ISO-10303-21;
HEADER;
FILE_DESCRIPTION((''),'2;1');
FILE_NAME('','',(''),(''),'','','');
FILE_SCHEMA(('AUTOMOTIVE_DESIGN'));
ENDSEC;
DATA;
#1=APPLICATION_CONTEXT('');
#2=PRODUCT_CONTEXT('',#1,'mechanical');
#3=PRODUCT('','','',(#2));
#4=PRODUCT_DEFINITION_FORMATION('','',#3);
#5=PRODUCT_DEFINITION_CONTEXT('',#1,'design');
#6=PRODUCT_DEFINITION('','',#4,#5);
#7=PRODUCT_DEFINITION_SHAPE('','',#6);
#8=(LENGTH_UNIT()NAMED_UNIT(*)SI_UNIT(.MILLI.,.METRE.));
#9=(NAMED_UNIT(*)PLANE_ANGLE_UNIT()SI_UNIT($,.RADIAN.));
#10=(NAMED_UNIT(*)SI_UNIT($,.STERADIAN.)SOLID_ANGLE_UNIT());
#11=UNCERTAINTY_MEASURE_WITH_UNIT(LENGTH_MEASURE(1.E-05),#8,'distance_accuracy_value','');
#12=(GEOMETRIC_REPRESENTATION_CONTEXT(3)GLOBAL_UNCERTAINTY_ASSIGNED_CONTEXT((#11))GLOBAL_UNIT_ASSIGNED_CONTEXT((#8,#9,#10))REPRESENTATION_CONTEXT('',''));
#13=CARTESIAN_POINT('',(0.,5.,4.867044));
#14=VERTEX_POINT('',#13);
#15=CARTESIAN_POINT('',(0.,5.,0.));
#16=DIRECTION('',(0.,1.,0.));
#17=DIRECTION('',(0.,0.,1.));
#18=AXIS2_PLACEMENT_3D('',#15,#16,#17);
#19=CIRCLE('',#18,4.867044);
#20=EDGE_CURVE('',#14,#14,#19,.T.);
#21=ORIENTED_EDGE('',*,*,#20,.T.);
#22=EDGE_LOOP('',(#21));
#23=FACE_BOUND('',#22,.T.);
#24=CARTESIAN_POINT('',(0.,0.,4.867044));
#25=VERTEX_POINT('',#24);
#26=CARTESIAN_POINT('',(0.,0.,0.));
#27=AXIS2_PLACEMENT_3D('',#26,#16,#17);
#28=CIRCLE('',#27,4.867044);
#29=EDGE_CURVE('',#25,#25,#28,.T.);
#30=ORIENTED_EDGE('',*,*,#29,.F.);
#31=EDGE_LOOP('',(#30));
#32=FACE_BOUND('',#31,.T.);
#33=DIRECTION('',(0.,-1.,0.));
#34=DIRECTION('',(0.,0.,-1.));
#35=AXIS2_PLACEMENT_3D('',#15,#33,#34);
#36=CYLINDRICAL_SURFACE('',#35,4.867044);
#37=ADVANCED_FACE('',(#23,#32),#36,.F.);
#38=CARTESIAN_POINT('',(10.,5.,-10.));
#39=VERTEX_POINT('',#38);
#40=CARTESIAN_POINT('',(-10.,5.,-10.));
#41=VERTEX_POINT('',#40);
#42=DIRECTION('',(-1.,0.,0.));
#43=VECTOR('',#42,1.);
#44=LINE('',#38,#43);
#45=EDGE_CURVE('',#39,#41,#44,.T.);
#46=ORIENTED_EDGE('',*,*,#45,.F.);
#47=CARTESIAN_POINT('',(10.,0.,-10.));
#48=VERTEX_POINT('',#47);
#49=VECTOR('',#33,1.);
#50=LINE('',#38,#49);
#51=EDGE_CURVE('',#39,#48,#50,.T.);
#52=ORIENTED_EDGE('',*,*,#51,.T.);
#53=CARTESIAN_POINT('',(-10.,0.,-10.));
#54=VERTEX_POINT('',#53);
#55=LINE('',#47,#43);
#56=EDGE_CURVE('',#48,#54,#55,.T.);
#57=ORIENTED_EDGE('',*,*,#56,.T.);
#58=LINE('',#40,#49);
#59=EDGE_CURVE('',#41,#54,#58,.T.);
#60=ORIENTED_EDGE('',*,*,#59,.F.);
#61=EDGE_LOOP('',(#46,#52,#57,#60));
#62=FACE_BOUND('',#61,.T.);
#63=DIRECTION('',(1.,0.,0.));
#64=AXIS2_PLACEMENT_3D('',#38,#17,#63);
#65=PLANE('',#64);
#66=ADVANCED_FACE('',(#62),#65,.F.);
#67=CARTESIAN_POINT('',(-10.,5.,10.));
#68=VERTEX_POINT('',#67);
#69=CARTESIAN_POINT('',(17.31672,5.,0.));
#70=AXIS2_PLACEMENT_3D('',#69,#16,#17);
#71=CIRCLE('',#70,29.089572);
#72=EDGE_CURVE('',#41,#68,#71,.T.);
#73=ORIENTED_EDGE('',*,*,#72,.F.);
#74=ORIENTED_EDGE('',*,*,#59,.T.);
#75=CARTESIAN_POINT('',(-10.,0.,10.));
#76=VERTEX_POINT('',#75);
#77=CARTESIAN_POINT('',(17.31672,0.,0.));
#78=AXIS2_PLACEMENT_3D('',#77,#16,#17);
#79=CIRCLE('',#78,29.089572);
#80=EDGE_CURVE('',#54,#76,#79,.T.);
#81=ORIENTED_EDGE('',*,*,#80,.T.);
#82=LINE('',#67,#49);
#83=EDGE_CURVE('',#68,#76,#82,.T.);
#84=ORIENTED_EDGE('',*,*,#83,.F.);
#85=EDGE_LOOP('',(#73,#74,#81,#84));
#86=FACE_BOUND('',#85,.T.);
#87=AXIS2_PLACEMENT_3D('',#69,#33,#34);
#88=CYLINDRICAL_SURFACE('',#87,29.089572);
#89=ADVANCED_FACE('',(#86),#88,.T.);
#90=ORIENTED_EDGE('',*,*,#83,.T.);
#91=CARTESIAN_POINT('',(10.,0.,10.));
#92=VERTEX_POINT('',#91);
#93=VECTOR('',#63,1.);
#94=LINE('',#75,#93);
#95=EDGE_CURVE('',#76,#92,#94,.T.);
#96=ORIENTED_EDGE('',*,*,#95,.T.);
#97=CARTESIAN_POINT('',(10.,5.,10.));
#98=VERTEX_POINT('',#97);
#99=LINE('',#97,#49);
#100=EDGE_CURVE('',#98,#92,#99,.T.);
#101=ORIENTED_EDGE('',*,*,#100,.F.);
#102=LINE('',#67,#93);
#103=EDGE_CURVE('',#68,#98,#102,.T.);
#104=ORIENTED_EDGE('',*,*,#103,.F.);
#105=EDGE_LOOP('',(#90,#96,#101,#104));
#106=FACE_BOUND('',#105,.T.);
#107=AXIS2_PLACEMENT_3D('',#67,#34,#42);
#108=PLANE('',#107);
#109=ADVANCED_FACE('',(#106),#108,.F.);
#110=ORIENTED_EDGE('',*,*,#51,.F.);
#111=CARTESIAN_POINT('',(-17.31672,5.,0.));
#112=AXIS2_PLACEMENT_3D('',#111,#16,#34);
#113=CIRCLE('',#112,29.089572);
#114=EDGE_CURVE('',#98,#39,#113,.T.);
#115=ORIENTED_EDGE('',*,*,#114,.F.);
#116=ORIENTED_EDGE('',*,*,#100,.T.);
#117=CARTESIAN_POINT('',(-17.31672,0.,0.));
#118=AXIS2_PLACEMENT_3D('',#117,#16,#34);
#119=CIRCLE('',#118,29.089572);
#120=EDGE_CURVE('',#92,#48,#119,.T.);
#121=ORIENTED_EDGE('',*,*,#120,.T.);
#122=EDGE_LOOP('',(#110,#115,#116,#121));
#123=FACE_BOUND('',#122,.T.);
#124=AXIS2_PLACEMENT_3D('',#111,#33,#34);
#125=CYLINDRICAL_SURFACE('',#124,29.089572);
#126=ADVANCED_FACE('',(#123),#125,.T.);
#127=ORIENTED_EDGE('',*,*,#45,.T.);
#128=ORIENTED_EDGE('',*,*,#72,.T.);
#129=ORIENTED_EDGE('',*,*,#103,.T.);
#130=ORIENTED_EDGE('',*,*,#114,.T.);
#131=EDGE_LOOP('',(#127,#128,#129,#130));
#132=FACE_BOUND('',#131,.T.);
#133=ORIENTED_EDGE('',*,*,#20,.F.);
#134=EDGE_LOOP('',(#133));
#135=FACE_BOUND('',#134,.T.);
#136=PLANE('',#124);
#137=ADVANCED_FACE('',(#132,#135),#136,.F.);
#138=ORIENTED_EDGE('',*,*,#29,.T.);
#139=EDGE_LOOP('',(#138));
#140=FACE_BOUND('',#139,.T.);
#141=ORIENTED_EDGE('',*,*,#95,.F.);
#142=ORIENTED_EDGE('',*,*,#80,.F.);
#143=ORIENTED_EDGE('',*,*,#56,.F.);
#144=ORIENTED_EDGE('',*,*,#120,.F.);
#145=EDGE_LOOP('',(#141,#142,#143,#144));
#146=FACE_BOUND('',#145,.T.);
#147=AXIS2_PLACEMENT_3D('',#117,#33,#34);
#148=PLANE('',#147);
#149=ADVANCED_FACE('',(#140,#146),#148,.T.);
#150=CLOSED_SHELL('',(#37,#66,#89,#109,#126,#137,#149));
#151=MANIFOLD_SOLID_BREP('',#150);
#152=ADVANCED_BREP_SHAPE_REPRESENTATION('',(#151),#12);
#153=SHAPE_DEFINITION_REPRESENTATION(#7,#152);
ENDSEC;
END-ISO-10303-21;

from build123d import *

# Parameters (mm, degrees)
SKETCH1_R           = 4.867044231
BOSS_EXTRUDE1_DEPTH = 5


with BuildPart() as part:
    # Sketch1 → Boss-Extrude1 (new body)
    with BuildSketch(Plane(origin=(0, 0, 0), x_dir=(1, 0, 0), z_dir=(0, 1, 0))):
        with BuildLine():
            Line((-10, -10), (10, -10))
            ThreePointArc((10, -10), (11.772851869, 0), (10, 10))
            Line((10, 10), (-10, 10))
            ThreePointArc((-10, 10), (-11.772851869, 0), (-10, -10))
        make_face()
        with Locations(Location((0, 0, 0), (0, 0, 270))):
            Circle(SKETCH1_R, mode=Mode.SUBTRACT)
    extrude(amount=BOSS_EXTRUDE1_DEPTH)


solid = part.part
